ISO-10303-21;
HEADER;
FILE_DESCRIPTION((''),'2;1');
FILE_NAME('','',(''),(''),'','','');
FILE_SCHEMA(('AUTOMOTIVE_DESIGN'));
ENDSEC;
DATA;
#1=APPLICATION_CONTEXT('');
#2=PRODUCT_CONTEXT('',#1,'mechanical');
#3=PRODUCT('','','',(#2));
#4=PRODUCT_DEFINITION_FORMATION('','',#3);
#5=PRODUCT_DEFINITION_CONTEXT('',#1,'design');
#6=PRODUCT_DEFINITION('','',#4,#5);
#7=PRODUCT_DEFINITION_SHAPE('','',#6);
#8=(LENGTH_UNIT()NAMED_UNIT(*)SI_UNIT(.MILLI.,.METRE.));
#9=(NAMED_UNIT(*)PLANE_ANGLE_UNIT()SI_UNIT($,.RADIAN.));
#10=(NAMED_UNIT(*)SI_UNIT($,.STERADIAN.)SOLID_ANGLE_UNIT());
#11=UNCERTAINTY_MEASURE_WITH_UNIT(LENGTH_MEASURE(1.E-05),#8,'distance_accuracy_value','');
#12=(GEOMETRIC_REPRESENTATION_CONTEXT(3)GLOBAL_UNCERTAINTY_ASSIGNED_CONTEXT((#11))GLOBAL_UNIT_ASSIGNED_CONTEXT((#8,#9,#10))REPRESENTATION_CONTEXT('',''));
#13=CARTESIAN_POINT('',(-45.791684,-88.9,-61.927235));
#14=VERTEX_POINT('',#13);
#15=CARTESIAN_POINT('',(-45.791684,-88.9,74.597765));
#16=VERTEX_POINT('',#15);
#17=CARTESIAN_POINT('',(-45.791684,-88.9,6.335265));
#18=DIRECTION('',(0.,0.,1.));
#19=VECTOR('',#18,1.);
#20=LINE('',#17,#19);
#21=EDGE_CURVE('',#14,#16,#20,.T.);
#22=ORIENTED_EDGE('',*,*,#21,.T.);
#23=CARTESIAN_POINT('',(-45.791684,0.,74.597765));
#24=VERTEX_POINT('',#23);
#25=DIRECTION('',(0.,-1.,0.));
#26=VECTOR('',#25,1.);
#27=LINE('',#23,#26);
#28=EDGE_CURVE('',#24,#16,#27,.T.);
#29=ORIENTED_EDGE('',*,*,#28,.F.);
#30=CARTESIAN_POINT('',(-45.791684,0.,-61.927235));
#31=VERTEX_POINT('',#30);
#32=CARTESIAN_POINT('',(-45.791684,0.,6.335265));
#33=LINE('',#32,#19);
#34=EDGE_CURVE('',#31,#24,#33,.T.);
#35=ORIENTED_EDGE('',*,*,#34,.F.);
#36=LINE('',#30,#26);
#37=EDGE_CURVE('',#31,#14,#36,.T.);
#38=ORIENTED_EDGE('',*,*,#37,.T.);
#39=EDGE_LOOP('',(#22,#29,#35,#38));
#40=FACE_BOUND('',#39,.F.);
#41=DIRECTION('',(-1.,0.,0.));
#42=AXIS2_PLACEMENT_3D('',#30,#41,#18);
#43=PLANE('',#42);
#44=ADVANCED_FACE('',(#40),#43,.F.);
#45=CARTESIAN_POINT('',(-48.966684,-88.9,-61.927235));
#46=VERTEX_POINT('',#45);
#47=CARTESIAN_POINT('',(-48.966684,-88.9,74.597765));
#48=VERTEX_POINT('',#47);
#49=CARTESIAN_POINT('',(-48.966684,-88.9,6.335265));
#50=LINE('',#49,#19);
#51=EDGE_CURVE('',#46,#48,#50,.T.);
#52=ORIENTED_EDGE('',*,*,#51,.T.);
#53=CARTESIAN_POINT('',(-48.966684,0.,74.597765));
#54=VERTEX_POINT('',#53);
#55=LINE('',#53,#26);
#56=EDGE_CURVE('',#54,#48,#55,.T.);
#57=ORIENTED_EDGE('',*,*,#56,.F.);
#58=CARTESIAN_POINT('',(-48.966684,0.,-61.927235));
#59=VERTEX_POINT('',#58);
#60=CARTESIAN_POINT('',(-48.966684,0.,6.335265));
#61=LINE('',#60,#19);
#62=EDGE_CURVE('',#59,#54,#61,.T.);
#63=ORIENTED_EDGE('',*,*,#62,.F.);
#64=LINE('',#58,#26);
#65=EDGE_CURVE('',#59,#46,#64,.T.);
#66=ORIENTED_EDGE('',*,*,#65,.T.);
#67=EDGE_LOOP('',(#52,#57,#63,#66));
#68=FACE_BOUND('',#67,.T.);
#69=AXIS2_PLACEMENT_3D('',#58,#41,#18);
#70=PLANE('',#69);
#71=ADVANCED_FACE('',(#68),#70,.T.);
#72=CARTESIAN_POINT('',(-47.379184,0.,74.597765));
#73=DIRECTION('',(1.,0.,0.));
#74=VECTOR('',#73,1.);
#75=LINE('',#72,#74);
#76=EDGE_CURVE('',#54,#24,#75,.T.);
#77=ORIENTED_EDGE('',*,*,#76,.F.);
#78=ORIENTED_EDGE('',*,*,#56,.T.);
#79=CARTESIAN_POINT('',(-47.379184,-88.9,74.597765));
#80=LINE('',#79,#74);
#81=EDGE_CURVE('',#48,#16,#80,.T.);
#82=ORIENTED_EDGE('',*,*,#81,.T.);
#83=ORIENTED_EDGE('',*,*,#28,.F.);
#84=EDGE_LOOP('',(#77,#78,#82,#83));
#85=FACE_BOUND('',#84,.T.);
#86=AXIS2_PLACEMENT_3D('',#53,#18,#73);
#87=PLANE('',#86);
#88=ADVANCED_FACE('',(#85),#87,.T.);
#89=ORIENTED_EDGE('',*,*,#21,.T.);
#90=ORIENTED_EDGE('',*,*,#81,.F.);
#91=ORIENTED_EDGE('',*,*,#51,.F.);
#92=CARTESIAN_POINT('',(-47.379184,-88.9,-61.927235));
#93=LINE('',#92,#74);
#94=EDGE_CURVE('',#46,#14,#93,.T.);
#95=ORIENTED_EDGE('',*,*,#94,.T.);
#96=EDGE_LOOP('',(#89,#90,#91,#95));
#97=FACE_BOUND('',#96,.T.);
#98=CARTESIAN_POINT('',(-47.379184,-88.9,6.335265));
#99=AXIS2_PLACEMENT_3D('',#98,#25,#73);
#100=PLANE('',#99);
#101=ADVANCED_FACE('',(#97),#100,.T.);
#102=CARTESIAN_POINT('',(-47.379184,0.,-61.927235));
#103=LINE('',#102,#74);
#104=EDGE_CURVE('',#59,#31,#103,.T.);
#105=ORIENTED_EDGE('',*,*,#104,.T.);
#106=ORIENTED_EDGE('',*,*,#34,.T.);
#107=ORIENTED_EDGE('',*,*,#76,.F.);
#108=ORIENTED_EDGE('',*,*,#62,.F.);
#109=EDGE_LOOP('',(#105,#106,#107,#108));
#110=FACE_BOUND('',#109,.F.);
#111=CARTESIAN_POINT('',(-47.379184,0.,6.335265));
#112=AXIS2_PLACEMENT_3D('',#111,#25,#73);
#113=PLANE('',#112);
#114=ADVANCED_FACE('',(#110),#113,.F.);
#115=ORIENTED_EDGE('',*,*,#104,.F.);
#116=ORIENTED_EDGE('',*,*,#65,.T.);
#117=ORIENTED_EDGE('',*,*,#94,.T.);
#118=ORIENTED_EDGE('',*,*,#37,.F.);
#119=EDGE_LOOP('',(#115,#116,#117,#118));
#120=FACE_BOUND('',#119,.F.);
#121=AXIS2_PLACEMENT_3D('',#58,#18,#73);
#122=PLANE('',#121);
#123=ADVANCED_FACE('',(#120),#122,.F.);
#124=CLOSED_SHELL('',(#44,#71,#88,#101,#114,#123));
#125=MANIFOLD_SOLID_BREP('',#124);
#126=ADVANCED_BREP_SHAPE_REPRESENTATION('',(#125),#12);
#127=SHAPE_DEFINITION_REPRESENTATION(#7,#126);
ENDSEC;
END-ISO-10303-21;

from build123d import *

# Parameters (mm, degrees)
F0_W      = 3.175
F0_H      = 136.525
F1_DEPTH  = 254
F1_FACE_W = 3.175
F1_FACE_H = 136.525
F2_DEPTH  = 165.1


with BuildPart() as f1:
    # F0 (on Front) → F1 (new body)
    with BuildSketch(Plane.XZ):
        with Locations((-47.379184, 6.335265)):
            Rectangle(F0_W, F0_H)
    extrude(amount=F1_DEPTH)

    # F1_face (on face) → F2 (cut)
    with BuildSketch(Plane(origin=(-47.379184, -254, 6.335265), x_dir=(1, 0, 0), z_dir=(0, -1, 0))):
        Rectangle(F1_FACE_W, F1_FACE_H)
    extrude(amount=-F2_DEPTH, mode=Mode.SUBTRACT)


solid = f1.part
